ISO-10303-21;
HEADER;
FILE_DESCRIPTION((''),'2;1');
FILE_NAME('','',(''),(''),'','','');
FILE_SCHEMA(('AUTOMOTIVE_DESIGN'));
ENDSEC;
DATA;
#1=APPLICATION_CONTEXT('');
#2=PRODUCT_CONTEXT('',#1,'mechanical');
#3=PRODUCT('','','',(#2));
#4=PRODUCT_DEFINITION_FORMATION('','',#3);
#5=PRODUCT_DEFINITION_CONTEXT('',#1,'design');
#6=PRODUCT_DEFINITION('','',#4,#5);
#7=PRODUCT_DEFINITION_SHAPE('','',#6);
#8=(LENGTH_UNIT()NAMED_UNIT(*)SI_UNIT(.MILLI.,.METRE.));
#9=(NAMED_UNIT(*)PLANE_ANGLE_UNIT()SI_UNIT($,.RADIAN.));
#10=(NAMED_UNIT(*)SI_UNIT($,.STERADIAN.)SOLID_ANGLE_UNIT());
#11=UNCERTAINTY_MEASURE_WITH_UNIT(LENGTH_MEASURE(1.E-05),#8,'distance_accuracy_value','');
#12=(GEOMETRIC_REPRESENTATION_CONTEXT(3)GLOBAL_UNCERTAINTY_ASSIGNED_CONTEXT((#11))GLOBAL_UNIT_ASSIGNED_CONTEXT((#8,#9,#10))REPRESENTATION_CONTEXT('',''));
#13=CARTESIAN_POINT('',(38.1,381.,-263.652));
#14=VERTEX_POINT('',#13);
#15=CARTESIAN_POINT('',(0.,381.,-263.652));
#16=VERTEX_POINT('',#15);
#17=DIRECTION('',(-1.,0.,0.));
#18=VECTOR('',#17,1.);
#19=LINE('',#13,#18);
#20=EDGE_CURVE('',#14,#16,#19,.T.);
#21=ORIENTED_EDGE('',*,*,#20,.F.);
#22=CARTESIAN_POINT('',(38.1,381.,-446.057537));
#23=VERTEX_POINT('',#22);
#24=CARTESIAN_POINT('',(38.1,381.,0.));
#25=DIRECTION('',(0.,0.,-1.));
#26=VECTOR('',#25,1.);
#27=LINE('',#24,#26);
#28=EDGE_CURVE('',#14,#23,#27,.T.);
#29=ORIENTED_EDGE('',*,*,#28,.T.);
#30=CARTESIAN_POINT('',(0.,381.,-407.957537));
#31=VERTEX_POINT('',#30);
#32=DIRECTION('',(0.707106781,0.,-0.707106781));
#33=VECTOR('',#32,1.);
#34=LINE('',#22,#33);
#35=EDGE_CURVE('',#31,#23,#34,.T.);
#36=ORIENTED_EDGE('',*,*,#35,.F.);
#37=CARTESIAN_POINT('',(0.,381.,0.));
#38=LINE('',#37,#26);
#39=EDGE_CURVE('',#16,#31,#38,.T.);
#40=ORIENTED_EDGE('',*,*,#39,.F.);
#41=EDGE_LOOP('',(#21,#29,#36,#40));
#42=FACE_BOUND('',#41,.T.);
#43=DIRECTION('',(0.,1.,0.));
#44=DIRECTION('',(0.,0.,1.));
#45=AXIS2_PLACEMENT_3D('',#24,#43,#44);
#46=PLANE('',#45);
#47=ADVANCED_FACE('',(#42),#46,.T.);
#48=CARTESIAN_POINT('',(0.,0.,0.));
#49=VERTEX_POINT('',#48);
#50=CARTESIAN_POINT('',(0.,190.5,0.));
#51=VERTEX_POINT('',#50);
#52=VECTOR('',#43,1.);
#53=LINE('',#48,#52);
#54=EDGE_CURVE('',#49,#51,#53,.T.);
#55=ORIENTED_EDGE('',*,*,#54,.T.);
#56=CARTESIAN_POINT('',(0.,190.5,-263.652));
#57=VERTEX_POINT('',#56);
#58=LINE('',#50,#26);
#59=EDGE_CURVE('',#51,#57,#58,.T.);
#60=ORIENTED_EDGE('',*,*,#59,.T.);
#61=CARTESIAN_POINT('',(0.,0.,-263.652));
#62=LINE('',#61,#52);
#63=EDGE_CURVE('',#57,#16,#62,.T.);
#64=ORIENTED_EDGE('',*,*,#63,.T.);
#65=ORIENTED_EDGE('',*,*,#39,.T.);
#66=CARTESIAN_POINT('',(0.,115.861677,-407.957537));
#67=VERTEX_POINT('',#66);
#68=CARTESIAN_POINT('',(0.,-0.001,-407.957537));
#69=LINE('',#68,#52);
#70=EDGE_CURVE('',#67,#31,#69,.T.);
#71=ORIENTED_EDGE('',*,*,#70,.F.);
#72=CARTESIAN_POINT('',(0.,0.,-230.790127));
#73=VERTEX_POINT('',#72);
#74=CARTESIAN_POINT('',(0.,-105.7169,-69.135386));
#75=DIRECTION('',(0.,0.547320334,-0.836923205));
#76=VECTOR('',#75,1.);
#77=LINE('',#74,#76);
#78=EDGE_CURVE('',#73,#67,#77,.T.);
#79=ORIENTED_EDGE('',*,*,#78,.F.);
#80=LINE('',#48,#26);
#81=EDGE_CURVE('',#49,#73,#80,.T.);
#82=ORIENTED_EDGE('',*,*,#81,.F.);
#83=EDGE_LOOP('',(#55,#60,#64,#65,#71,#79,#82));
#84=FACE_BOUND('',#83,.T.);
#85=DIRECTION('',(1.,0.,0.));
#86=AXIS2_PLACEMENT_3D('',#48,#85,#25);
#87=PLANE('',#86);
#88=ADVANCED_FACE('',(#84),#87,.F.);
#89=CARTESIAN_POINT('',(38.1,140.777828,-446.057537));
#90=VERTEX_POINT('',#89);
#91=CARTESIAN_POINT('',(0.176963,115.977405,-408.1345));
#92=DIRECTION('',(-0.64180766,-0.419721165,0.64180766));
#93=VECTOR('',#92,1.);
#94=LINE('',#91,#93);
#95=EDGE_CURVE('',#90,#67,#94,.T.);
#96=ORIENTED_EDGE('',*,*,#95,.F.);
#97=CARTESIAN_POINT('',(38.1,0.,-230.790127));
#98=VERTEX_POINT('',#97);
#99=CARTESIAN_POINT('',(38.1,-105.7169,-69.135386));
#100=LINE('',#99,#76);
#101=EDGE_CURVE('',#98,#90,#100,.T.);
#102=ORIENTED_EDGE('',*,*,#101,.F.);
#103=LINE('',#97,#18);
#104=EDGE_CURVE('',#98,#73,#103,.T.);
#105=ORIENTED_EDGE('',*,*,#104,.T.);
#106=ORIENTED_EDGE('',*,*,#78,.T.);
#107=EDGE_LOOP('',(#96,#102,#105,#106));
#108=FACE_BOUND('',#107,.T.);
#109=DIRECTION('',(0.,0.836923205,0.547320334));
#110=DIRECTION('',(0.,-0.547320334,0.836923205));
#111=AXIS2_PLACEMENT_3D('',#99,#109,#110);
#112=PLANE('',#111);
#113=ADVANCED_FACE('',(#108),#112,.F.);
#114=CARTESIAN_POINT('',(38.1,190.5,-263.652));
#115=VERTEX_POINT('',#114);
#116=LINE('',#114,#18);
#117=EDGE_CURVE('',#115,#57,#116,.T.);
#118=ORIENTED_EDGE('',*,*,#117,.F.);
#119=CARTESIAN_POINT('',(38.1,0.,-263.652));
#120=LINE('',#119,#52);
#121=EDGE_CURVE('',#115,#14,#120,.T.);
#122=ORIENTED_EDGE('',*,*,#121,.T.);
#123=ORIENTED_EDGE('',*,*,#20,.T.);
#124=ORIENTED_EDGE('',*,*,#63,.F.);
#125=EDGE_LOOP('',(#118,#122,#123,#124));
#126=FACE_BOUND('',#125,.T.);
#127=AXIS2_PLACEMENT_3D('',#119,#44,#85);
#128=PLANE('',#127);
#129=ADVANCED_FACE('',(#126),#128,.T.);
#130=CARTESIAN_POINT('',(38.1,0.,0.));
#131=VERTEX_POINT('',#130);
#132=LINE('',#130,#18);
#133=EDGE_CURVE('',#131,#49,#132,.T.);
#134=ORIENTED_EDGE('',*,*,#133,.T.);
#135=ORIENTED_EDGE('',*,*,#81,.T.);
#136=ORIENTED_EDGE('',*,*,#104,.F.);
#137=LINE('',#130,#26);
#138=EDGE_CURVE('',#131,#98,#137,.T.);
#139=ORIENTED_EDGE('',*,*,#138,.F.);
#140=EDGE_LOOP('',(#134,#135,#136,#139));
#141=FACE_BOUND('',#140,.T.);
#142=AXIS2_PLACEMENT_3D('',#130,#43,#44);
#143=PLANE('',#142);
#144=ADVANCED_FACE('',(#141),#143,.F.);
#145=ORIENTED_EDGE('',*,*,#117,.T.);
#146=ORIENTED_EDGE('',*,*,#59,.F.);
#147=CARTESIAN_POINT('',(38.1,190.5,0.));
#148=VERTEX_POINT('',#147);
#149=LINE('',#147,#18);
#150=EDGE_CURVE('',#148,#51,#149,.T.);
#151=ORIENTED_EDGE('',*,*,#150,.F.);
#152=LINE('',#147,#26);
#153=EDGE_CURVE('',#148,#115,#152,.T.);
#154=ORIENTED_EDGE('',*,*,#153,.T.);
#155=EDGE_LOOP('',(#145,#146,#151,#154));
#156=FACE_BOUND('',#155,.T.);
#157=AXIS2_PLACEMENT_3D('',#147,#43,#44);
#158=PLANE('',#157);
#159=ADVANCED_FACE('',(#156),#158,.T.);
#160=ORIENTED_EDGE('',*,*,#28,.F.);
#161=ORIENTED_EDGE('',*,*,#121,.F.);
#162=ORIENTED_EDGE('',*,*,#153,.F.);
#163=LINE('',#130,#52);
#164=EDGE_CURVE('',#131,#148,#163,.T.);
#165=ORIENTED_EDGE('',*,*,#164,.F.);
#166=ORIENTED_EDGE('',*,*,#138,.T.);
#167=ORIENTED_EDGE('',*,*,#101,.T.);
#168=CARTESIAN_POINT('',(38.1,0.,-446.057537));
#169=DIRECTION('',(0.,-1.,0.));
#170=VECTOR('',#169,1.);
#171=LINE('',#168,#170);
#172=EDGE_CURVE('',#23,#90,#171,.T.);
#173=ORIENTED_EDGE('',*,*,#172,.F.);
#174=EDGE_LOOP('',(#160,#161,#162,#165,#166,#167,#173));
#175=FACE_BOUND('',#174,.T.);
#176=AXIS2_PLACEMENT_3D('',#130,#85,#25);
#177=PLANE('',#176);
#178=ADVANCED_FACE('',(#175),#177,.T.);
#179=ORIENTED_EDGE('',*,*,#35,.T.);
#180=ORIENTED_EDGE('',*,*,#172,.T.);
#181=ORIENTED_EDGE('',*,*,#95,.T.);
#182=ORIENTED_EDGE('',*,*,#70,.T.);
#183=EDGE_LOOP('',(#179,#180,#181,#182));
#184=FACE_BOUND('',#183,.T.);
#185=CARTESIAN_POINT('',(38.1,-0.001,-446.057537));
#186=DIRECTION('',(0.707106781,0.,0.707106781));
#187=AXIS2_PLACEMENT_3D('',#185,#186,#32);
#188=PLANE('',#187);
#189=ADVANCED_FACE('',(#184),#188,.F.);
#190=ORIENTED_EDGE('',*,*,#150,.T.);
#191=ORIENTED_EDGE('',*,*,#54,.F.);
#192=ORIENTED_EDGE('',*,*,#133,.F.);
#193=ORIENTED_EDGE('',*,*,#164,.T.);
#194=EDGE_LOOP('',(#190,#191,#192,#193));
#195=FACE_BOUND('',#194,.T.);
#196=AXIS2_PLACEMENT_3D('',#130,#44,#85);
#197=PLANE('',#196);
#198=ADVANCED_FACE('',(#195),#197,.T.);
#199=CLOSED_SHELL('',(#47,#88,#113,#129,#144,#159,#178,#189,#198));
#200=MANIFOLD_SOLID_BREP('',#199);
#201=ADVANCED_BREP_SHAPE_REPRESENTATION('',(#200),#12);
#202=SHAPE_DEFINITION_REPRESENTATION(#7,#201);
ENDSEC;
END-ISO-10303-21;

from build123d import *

# Parameters (mm, degrees)
BOSS_EXTRUDE2_DEPTH = 38.1
CUT_EXTRUDE1_REACH  = 383


with BuildPart() as part:
    # Sketch1 → Boss-Extrude2 (new body)
    with BuildSketch(Plane(origin=(0, 0, 0), x_dir=(0, 0, -1), z_dir=(1, 0, 0))):
        Polygon((230.790126839, 0), (446.057536726, 140.777827649), (446.057536726, 381), (263.652, 381), (263.652, 190.5), (0, 190.5), (0, 0), align=None)
    extrude(amount=BOSS_EXTRUDE2_DEPTH)

    # Sketch2 → Cut-Extrude1 (cut, up to next)
    with BuildSketch(Plane(origin=(0, 381, 0), x_dir=(1, 0, 0), z_dir=(0, 1, 0)), mode=Mode.PRIVATE) as cut_extrude1_sk1:
        Polygon((38.1, 446.057536726), (0, 407.957536726), (0, 446.057536726), align=None)
    cut_extrude1_tool1 = extrude(cut_extrude1_sk1.sketch, amount=-CUT_EXTRUDE1_REACH, mode=Mode.PRIVATE) & part.part
    add(cut_extrude1_tool1.solids().sort_by_distance((12.7, 381, -433.357537))[0], mode=Mode.SUBTRACT)


solid = part.part
